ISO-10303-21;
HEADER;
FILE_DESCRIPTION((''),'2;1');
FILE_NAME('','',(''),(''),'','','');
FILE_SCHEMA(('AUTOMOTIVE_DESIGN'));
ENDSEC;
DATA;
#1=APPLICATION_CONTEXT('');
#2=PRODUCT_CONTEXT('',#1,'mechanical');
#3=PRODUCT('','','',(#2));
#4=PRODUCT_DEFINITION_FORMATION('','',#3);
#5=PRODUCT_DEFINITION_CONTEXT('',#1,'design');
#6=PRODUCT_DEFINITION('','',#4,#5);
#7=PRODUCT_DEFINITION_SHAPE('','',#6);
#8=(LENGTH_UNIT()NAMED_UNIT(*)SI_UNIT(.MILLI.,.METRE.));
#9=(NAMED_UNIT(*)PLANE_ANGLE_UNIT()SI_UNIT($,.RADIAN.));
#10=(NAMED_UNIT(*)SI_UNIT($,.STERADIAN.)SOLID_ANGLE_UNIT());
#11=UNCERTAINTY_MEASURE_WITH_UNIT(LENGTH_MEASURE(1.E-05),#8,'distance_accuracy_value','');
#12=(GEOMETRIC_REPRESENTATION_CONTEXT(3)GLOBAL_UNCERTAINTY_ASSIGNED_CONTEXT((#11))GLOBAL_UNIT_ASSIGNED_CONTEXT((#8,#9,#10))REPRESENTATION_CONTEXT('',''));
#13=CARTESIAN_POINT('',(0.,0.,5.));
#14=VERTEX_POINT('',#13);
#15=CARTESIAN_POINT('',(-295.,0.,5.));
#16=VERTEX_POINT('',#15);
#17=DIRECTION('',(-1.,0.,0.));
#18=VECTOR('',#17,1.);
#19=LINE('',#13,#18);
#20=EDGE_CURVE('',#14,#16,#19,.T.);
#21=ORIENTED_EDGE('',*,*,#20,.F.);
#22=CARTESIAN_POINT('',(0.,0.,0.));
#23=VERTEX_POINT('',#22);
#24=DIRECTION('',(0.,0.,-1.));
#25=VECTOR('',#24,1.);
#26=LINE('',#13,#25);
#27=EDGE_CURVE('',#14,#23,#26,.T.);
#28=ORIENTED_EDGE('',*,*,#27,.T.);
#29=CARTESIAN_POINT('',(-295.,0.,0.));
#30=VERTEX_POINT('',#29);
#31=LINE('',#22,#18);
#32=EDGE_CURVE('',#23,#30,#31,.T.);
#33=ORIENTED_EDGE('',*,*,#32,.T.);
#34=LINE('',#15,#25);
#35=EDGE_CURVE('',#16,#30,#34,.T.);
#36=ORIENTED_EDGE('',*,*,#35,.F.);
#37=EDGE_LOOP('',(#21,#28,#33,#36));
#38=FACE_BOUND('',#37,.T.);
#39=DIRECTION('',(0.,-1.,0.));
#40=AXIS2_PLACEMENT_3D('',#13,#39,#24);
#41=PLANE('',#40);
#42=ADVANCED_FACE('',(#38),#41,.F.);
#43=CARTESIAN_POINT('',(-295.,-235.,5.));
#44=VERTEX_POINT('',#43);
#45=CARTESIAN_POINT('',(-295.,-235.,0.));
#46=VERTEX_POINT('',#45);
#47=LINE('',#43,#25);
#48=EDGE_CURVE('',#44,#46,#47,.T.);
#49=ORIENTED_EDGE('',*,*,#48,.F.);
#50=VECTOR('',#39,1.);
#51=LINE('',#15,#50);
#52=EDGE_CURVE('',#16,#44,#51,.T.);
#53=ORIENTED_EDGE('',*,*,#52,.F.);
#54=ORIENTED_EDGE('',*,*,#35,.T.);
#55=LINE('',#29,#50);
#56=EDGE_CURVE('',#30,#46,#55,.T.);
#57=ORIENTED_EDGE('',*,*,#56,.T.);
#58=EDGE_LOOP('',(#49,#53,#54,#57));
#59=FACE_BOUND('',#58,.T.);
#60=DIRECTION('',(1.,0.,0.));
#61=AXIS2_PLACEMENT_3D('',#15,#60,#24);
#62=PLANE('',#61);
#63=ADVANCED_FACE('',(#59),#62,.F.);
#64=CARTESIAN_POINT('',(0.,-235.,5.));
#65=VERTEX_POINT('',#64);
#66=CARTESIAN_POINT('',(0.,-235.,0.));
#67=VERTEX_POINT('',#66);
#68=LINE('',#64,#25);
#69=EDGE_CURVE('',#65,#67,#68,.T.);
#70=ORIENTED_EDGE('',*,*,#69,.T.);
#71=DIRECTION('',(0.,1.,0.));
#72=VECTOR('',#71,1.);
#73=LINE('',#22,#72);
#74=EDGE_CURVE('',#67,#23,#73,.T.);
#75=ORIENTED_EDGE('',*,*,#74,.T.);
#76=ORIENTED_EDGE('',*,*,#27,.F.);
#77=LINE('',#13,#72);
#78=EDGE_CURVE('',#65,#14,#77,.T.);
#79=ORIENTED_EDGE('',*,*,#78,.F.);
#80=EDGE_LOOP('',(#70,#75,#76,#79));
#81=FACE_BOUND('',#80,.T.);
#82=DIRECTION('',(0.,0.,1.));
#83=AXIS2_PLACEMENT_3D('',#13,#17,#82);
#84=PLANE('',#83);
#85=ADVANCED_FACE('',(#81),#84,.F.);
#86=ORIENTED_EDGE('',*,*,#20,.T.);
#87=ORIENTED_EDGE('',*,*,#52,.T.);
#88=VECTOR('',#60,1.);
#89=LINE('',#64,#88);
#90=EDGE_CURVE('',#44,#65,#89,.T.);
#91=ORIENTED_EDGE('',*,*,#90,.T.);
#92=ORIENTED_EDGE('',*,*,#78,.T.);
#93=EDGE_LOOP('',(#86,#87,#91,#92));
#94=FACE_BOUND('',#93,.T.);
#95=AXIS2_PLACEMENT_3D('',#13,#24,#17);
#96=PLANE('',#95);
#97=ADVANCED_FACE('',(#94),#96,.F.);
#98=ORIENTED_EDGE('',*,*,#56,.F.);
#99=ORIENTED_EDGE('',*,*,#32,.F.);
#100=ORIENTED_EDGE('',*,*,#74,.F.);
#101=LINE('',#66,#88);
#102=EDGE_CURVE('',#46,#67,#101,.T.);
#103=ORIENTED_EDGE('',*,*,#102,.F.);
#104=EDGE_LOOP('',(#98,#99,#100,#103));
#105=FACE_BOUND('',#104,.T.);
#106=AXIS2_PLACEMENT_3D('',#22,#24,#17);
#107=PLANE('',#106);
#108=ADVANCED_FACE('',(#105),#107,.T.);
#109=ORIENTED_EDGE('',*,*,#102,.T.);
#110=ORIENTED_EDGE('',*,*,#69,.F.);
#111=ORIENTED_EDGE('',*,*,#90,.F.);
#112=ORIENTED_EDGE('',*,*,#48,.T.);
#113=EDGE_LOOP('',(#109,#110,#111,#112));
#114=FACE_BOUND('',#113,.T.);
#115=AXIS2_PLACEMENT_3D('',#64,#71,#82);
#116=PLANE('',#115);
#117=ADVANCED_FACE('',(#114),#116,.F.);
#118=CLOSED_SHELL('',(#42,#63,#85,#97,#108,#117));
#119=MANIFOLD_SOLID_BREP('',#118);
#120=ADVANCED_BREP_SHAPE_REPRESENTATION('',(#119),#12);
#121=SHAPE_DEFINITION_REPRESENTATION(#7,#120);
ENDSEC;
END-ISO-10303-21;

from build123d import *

# Parameters (mm, degrees)
ESQUISSE1_W        = 295
ESQUISSE1_H        = 235
BOSS_EXTRU_1_DEPTH = 5


with BuildPart() as part:
    # Esquisse1 → Boss.-Extru.1 (new body)
    with BuildSketch(Plane.XY):
        with Locations((-147.5, -117.5)):
            Rectangle(ESQUISSE1_W, ESQUISSE1_H)
    extrude(amount=BOSS_EXTRU_1_DEPTH)


solid = part.part
